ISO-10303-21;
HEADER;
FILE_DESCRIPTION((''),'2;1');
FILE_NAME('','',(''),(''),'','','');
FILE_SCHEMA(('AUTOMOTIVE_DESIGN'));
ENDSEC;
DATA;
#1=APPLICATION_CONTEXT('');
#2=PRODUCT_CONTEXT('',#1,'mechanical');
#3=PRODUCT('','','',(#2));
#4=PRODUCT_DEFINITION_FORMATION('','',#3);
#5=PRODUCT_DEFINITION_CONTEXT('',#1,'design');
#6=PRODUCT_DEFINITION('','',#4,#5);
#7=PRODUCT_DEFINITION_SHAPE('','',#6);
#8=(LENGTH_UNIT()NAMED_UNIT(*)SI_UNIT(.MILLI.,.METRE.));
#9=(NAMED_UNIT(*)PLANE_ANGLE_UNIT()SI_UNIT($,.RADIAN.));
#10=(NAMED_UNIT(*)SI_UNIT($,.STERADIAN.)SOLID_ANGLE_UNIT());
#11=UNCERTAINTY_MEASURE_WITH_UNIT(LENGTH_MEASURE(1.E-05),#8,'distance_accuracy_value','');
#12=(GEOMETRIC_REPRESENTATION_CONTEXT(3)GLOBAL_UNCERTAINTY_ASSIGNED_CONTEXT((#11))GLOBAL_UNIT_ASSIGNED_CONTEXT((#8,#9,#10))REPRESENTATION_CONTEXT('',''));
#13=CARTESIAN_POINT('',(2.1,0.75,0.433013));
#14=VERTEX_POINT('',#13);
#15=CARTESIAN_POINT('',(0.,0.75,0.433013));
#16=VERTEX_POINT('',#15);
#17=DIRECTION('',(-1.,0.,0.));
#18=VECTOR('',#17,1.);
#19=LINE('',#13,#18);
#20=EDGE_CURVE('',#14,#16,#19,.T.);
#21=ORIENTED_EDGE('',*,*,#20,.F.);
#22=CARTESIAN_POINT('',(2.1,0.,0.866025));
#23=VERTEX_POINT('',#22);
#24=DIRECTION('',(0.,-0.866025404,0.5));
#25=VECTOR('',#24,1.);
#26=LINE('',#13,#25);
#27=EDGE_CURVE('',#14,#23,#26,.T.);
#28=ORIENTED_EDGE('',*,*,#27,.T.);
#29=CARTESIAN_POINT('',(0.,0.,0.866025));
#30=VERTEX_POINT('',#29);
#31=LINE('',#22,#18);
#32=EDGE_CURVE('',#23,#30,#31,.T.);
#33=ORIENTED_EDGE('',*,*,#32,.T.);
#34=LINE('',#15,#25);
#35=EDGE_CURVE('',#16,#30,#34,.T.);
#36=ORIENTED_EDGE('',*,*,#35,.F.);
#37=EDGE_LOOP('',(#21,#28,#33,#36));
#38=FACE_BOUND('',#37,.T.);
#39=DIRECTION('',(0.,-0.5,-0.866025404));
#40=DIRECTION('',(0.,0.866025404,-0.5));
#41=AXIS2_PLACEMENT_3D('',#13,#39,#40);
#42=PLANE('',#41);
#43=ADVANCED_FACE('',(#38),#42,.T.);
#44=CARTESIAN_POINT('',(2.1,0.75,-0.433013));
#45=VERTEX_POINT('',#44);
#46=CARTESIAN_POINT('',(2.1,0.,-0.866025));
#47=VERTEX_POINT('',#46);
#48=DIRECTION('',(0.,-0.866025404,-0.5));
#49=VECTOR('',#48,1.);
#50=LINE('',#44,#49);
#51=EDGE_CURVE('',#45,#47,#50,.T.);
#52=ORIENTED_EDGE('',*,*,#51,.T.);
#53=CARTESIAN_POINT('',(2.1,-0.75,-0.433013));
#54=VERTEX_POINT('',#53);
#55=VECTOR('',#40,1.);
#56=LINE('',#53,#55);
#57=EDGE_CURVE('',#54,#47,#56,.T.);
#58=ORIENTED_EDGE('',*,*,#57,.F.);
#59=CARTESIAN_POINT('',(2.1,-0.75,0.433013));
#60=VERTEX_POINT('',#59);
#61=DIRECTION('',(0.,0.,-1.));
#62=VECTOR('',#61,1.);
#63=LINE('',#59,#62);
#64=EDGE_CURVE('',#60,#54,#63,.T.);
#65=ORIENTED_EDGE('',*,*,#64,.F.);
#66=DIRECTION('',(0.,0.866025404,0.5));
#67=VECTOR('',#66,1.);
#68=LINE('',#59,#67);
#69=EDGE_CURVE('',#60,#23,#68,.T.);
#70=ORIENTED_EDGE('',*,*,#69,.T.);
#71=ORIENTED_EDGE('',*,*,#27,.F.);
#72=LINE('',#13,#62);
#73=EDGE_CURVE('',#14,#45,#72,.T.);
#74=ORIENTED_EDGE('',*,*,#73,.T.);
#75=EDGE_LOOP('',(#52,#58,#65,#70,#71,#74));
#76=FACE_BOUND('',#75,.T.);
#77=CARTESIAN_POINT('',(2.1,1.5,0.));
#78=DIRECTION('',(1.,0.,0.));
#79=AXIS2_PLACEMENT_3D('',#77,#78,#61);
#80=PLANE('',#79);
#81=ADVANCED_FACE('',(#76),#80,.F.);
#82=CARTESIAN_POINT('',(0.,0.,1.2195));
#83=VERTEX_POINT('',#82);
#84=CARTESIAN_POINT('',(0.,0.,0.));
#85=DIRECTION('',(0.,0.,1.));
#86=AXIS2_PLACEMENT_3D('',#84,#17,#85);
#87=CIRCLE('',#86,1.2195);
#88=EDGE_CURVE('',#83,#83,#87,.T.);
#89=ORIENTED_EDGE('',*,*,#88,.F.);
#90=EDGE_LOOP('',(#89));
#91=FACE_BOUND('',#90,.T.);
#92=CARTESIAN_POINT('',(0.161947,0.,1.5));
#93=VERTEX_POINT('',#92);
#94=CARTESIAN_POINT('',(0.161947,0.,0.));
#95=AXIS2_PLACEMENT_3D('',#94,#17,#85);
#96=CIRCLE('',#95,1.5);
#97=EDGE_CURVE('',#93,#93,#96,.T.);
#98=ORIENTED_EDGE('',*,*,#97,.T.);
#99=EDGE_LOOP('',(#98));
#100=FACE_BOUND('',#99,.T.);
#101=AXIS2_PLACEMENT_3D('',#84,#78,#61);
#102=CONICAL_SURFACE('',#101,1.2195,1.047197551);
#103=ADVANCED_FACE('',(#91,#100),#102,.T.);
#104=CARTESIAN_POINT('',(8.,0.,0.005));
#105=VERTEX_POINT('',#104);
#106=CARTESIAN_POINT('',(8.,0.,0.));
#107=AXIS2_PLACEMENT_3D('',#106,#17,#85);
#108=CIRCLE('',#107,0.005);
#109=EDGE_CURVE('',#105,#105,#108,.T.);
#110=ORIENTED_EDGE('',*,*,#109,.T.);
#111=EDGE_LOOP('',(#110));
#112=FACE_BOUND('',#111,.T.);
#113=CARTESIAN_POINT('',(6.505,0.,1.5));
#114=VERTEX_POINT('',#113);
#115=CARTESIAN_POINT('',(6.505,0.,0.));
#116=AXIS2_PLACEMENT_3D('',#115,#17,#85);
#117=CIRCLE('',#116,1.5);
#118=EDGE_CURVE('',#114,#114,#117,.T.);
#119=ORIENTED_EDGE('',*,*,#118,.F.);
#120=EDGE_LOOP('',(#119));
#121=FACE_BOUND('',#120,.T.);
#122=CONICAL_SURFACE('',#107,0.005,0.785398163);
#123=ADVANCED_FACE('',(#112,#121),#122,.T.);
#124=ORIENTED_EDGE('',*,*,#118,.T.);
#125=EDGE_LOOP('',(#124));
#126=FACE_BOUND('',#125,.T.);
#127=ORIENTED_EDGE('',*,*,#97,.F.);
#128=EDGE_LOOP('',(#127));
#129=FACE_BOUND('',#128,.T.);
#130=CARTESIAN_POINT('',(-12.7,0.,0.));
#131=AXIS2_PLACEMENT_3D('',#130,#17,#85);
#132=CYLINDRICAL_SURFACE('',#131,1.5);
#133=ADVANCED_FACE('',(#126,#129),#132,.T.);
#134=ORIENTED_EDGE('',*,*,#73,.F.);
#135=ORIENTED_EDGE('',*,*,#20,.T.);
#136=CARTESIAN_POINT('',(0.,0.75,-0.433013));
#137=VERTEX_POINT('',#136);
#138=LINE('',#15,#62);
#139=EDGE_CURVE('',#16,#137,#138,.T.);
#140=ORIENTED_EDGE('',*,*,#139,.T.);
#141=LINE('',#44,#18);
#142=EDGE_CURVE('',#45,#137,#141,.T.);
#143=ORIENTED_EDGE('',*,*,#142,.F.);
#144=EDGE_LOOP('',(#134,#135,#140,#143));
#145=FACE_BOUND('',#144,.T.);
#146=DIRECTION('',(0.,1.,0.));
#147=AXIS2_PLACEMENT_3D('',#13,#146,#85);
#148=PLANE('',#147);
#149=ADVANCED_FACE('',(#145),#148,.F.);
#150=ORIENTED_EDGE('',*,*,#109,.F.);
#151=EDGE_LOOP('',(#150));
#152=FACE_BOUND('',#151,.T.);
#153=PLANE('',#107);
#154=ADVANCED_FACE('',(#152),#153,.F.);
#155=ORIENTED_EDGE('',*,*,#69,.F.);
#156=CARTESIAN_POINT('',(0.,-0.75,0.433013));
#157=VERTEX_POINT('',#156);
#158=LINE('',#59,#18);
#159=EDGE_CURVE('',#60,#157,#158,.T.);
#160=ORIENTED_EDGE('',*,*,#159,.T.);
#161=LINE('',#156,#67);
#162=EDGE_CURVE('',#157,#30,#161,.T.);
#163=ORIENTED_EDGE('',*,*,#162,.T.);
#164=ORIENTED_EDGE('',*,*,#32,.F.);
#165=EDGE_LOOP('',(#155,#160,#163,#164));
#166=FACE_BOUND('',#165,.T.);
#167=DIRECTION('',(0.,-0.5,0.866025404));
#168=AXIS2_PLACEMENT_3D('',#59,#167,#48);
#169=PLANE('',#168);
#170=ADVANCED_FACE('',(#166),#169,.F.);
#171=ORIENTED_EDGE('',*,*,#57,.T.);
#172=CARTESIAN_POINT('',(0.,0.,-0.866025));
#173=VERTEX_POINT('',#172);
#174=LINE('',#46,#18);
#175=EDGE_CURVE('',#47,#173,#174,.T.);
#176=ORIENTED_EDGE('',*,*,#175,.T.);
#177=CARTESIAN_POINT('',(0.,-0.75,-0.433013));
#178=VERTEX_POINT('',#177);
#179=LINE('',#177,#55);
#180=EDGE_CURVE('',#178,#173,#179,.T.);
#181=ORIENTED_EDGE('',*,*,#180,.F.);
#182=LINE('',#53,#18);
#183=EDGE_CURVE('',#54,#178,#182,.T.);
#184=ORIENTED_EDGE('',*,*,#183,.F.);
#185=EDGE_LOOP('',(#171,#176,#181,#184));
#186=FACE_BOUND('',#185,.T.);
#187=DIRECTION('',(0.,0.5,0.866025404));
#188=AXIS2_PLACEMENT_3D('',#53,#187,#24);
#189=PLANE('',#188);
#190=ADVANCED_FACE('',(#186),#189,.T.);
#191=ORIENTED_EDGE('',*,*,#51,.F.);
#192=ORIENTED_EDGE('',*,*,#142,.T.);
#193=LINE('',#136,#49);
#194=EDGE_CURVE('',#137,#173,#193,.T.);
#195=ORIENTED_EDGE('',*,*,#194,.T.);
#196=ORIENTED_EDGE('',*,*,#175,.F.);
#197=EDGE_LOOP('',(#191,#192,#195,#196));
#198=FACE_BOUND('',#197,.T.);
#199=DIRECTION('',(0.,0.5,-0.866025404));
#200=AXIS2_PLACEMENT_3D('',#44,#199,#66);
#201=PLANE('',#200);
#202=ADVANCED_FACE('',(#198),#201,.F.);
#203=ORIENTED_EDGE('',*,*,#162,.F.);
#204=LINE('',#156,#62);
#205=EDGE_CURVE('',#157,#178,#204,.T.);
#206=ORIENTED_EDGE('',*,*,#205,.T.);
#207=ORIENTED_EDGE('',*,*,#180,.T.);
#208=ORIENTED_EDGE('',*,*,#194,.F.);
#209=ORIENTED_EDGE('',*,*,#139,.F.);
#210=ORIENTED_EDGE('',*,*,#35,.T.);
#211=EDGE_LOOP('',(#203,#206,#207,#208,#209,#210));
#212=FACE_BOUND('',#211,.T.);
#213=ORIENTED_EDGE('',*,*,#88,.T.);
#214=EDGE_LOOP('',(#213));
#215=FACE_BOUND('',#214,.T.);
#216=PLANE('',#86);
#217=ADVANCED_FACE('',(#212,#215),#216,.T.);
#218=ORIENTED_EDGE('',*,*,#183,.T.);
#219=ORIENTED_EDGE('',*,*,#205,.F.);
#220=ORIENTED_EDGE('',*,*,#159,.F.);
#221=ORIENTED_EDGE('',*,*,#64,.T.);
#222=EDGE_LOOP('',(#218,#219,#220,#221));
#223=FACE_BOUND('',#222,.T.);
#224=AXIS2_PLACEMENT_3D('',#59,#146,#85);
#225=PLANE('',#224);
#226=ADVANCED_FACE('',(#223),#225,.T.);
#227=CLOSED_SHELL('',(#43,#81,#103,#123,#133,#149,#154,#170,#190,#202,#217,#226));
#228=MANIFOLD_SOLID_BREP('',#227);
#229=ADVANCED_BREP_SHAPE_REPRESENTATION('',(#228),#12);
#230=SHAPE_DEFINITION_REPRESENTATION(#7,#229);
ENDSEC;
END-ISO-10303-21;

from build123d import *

# Parameters (mm, degrees)
HEX_2_DEPTH = 2.1


with BuildPart() as part:
    # BodySke → BaseBody (revolve)
    with BuildSketch(Plane.XY):
        Polygon((0, 0), (0, 1.2195), (0.161946751, 1.5), (6.505, 1.5), (8, 0.005), (8, 0), align=None)
    revolve(axis=Axis((-12.7, 0, 0), (1, 0, 0)))

    # Sketch2 → Hex 2 (cut)
    with BuildSketch(Plane.ZY):
        Polygon((0.433012702, 0.75), (-0.433012702, 0.75), (-0.866025404, 0), (-0.433012702, -0.75), (0.433012702, -0.75), (0.866025404, 0), align=None)
    extrude(amount=-HEX_2_DEPTH, mode=Mode.SUBTRACT)


solid = part.part
